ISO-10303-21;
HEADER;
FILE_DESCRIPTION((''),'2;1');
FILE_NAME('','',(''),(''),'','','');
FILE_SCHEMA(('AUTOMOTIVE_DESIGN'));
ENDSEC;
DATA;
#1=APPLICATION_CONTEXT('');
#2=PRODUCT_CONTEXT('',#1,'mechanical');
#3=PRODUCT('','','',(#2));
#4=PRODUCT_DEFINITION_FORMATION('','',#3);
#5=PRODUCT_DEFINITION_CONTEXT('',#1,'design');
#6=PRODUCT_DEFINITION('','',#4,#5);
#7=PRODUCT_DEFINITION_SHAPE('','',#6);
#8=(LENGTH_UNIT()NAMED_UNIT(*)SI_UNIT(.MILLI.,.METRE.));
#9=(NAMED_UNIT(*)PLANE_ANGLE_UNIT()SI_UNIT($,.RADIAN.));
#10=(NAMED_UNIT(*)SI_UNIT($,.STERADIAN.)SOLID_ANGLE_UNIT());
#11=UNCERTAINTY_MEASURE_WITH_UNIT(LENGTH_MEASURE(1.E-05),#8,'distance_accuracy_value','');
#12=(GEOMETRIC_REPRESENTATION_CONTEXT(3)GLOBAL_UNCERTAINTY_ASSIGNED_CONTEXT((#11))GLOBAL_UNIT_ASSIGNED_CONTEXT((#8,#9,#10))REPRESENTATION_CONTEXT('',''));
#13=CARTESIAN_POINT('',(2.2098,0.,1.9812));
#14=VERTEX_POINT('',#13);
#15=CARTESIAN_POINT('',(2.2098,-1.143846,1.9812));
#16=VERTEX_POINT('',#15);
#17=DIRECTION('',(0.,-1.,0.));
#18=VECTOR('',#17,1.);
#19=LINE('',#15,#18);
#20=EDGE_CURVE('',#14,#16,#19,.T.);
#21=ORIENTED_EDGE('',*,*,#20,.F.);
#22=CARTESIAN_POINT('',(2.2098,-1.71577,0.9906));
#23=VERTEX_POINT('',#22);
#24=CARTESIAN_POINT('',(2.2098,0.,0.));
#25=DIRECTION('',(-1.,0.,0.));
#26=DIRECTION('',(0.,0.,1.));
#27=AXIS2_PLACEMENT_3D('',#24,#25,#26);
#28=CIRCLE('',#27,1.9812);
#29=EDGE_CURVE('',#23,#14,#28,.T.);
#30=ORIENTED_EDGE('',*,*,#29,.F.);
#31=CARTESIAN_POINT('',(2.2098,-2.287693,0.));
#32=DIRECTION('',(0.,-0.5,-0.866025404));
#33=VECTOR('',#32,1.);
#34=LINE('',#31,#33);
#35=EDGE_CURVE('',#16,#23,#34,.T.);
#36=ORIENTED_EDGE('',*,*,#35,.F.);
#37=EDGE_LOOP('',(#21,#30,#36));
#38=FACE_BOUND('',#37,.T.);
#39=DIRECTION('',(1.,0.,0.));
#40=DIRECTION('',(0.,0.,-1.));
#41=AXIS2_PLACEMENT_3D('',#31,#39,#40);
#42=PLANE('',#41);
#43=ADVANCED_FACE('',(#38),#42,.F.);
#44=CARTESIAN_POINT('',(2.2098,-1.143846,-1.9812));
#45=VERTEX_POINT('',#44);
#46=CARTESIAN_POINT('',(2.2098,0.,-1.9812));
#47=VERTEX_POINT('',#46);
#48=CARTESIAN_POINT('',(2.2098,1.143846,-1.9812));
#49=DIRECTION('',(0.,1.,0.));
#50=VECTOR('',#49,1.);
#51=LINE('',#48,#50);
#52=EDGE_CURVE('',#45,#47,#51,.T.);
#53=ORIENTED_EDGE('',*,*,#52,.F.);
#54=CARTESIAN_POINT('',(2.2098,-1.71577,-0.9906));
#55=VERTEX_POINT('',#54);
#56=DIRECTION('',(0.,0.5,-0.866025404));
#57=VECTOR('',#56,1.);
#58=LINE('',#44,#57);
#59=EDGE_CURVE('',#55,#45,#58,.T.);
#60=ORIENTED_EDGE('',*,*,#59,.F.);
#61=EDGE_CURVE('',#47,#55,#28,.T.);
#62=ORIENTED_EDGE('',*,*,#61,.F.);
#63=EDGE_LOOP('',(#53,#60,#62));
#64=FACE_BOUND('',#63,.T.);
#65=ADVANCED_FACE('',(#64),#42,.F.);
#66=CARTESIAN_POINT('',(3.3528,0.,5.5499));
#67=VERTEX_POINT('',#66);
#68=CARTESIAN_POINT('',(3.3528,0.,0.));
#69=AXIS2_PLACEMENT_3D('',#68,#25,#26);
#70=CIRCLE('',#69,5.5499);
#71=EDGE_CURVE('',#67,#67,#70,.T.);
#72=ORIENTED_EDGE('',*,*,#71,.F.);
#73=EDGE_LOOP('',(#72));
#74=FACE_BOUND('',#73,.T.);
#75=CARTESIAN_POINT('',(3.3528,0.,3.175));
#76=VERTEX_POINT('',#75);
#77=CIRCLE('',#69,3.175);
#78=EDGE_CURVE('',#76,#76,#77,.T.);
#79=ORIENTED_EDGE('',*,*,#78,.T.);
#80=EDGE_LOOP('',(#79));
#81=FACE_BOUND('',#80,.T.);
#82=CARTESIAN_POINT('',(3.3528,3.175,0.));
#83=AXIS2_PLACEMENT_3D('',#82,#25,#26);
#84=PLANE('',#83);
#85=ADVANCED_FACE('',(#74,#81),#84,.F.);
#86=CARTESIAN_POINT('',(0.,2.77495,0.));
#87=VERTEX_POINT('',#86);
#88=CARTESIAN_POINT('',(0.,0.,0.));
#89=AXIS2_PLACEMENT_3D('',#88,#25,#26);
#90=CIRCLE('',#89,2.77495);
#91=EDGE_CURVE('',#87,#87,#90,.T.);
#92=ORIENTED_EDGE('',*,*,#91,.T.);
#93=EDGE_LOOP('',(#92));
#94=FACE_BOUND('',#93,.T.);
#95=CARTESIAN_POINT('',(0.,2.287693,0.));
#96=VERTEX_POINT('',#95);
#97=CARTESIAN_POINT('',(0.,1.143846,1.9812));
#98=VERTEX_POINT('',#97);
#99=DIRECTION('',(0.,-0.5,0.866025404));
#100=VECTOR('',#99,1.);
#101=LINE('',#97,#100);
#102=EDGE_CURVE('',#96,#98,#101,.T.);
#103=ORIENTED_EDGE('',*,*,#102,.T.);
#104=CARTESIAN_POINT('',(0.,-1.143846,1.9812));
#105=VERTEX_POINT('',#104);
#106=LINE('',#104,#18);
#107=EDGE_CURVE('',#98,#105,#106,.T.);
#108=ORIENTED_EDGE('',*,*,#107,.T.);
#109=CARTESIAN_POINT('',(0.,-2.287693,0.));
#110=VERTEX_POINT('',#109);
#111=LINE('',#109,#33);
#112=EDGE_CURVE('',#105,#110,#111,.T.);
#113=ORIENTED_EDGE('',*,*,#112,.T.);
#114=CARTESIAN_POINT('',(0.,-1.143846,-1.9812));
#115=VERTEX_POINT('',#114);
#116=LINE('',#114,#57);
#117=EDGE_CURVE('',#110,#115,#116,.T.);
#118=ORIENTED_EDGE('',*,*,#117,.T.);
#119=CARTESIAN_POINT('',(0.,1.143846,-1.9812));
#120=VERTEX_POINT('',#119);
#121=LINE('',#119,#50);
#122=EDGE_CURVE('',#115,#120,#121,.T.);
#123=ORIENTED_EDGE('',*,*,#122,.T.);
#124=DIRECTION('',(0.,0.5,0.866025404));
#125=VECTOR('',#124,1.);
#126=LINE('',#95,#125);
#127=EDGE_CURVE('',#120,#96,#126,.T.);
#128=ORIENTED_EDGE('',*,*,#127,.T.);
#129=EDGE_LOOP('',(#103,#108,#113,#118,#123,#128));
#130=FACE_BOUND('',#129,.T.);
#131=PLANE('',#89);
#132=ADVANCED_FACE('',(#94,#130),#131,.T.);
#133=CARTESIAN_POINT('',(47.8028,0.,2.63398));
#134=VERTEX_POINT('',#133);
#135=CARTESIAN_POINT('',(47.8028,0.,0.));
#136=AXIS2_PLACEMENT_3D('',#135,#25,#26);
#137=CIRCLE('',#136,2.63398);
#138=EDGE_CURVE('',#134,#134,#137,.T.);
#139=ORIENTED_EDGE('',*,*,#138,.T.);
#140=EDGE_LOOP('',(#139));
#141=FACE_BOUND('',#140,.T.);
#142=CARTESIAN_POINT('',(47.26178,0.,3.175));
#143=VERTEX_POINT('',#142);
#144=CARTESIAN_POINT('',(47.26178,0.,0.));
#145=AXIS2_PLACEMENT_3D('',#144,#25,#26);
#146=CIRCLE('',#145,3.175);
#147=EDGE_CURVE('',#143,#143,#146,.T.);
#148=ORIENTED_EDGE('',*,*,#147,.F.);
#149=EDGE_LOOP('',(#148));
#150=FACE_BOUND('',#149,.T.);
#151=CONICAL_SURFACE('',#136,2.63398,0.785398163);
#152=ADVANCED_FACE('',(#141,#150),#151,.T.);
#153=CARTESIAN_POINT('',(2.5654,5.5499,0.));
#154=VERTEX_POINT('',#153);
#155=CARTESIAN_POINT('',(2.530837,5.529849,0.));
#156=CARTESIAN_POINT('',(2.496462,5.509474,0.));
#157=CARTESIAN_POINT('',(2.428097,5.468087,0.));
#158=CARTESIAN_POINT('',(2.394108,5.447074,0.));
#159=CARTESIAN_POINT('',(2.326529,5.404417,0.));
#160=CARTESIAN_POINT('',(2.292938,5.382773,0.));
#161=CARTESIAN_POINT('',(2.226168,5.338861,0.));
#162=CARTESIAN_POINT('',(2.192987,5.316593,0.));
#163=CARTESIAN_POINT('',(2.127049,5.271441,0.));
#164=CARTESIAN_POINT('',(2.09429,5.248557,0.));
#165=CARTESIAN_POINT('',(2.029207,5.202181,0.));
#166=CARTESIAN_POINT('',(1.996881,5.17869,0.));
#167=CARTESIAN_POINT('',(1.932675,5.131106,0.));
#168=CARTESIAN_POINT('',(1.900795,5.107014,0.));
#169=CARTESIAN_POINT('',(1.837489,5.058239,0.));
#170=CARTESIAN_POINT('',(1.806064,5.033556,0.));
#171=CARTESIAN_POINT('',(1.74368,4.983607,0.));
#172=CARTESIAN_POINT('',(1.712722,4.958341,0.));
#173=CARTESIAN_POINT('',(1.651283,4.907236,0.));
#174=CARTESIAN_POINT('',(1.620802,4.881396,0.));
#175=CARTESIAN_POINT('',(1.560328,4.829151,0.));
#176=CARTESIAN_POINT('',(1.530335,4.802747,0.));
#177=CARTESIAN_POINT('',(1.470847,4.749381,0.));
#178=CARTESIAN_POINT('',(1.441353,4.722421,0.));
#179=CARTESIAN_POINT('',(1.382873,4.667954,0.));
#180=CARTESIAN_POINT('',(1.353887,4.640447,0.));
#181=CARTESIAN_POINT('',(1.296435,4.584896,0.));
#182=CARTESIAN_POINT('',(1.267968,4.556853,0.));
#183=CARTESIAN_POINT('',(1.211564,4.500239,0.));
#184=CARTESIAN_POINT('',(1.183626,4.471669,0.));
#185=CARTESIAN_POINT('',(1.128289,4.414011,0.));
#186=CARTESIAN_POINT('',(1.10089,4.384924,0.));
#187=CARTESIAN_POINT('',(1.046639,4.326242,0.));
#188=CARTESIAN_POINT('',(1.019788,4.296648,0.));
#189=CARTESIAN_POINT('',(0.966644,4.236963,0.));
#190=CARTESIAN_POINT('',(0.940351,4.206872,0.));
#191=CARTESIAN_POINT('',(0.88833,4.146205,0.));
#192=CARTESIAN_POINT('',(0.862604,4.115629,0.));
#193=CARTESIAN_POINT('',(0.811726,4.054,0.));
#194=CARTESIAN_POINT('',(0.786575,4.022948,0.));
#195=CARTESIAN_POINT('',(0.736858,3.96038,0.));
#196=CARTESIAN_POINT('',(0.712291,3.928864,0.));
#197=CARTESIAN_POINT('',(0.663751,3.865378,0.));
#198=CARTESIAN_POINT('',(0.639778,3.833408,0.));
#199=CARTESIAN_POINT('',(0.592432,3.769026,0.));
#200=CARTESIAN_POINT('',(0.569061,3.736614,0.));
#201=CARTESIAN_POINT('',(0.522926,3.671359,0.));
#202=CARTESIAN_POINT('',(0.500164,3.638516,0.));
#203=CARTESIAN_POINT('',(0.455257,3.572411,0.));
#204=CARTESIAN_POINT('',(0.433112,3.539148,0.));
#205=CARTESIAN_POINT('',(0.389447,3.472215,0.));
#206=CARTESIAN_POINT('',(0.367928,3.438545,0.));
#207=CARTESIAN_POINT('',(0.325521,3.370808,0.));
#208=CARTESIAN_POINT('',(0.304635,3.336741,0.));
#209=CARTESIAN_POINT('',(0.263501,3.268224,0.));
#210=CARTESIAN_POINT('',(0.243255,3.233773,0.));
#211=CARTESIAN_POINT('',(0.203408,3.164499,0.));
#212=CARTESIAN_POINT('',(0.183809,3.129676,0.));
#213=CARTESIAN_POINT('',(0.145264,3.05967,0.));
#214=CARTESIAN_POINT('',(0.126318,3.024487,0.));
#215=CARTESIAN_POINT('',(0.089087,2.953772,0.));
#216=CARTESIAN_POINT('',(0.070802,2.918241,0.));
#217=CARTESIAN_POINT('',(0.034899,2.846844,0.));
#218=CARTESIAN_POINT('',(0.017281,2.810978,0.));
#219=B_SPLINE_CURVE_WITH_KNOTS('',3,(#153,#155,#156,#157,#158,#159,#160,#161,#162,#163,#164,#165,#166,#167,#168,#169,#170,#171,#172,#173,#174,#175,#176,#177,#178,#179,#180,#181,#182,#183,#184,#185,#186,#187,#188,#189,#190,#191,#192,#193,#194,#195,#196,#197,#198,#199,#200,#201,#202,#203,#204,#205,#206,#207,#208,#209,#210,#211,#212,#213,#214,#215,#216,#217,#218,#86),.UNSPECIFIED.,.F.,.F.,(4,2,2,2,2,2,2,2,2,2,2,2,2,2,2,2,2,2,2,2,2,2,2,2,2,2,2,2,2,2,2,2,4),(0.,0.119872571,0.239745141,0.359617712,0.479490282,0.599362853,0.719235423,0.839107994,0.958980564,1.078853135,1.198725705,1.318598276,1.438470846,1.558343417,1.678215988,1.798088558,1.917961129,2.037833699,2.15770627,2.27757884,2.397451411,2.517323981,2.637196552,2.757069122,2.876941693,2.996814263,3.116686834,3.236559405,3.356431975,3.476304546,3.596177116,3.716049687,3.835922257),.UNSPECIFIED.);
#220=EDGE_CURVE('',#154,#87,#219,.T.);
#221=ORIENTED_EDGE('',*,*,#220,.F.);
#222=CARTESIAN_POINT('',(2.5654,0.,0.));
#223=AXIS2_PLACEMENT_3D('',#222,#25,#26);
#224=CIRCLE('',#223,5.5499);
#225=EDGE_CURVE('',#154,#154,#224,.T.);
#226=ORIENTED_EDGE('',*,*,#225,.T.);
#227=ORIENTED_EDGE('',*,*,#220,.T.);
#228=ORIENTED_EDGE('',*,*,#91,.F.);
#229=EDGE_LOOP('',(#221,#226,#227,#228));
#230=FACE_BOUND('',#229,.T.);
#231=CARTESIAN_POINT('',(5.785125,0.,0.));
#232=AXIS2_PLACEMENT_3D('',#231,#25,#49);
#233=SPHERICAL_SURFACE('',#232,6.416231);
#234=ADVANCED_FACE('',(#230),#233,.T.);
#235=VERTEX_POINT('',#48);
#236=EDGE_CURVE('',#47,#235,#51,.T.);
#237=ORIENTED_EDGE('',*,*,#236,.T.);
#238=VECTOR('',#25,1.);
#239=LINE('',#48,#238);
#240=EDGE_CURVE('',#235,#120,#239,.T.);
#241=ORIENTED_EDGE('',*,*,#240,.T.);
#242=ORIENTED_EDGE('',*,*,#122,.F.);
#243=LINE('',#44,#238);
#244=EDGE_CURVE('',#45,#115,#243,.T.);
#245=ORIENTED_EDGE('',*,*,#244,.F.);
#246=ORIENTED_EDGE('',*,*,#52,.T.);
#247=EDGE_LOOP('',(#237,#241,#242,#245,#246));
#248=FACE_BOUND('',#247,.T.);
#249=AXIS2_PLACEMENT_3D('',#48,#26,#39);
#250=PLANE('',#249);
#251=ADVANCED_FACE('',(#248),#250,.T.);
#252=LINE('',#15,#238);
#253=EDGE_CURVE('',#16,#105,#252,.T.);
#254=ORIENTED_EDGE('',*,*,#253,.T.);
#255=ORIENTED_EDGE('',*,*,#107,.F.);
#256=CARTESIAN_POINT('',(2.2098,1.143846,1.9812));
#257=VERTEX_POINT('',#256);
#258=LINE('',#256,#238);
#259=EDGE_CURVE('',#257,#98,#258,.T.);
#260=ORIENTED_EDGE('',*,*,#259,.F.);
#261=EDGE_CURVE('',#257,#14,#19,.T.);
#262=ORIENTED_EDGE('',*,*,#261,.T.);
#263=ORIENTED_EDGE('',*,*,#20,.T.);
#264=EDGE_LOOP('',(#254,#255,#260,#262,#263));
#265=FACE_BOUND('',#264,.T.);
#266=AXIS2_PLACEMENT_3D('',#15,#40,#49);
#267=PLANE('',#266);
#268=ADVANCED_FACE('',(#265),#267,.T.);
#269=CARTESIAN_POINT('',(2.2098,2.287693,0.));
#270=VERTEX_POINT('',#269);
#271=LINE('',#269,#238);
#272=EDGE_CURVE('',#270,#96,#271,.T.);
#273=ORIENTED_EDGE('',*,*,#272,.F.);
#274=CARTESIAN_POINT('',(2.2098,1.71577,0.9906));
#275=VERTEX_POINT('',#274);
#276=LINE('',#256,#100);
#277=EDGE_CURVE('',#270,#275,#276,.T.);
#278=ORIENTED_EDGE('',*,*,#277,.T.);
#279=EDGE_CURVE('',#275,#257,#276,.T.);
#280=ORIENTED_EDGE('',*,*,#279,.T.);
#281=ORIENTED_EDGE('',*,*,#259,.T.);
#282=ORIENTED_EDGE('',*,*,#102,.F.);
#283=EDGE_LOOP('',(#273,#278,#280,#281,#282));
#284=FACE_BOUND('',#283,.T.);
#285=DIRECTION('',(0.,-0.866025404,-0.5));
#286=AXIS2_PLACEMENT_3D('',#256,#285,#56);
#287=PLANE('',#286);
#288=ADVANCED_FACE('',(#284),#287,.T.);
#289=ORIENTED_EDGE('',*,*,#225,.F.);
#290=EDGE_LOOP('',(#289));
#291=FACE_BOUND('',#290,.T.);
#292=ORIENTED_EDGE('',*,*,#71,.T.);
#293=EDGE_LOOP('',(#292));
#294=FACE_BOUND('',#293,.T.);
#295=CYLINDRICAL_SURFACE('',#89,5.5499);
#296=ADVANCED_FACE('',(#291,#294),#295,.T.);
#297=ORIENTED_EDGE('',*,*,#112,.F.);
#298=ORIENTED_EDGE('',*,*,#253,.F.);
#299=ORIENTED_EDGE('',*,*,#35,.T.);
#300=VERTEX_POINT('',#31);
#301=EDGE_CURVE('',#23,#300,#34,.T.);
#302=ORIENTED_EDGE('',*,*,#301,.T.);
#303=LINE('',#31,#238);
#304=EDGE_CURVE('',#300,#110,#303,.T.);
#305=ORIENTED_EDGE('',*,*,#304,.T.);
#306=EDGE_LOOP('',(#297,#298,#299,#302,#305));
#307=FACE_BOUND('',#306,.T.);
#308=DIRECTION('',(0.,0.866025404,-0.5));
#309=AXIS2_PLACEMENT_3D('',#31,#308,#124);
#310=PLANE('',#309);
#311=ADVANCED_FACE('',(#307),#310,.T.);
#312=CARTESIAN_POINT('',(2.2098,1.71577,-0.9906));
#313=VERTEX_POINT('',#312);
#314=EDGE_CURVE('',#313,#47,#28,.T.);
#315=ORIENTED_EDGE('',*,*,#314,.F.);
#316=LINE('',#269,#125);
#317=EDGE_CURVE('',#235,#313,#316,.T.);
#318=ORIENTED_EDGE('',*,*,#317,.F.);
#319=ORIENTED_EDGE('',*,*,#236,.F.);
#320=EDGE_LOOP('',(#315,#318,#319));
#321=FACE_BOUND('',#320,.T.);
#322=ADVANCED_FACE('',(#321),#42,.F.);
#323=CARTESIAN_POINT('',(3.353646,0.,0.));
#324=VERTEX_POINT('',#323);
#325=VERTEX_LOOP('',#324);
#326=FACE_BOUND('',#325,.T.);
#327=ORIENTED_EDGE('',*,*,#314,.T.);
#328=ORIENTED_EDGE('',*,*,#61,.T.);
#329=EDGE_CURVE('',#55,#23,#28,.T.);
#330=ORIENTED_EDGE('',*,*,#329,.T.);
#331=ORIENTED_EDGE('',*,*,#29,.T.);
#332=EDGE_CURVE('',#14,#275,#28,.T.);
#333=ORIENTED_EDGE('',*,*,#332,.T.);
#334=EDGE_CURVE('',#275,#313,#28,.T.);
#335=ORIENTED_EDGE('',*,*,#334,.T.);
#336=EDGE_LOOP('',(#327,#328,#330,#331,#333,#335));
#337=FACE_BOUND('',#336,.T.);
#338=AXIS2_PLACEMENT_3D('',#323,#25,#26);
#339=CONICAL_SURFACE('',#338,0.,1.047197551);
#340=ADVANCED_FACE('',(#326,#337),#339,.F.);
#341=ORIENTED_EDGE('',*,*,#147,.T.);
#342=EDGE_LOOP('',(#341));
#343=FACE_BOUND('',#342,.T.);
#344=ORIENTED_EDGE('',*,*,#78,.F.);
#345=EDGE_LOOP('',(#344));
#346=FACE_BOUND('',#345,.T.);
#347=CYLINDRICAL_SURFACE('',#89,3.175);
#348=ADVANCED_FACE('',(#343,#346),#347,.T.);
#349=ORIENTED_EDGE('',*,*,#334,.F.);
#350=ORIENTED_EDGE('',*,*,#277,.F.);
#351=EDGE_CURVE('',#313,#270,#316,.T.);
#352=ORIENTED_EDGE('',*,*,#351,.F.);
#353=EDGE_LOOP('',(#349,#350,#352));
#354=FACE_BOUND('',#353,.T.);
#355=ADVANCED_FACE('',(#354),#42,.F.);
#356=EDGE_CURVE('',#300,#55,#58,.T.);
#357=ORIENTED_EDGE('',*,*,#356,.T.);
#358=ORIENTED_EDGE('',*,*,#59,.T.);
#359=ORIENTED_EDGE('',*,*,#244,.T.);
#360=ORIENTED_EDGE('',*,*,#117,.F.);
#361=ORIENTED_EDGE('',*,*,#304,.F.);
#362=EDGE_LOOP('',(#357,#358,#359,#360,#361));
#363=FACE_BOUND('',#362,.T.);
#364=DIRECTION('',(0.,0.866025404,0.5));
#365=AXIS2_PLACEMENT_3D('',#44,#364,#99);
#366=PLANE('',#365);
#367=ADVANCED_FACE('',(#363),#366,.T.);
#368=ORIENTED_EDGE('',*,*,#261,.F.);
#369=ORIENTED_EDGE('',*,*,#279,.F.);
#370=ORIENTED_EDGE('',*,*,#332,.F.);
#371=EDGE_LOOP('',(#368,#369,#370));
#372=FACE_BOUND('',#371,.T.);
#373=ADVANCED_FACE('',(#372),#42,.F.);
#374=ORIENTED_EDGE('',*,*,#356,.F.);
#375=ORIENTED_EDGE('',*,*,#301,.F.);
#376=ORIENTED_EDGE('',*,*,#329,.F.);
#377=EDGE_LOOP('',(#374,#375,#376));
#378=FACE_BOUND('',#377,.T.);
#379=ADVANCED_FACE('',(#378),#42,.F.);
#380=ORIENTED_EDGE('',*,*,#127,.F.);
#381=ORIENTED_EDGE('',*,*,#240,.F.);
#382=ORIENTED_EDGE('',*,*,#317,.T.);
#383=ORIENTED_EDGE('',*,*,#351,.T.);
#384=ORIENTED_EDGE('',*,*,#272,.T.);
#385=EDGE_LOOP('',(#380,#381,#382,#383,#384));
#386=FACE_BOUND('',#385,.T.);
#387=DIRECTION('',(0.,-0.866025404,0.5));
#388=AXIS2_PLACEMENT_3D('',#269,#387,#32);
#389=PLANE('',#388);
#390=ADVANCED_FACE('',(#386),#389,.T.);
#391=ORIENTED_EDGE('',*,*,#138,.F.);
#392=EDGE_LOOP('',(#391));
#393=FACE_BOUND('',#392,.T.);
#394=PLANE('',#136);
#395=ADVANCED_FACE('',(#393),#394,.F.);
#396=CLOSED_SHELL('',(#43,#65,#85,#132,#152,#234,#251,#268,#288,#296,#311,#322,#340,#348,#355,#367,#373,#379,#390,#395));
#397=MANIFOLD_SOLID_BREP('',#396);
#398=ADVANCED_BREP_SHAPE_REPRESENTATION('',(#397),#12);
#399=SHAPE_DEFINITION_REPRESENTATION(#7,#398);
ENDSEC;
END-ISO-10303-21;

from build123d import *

# Parameters (mm, degrees)
HEX_2_DEPTH = 2.2098


with BuildPart() as part:
    # BodySke → BaseBody (revolve)
    with BuildSketch(Plane.XY, mode=Mode.PRIVATE) as basebody_sk:
        with BuildLine():
            Line((47.8028, 0), (47.8028, 2.63398))
            Line((47.8028, 2.63398), (47.26178, 3.175))
            Line((47.26178, 3.175), (3.3528, 3.175))
            Line((3.3528, 3.175), (3.3528, 5.5499))
            Line((3.3528, 5.5499), (2.5654, 5.5499))
            ThreePointArc((2.5654, 5.5499), (1.073764503, 4.355582759), (0, 2.77495))
            Line((0, 2.77495), (0, 0))
            Line((0, 0), (47.8028, 0))
        make_face()
    revolve(basebody_sk.sketch.rotate(Axis((0, 0, 0), (1, 0, 0)), 90), axis=Axis((0, 0, 0), (1, 0, 0)))

    # Sketch2 → PreBroach (revolve, cut)
    with BuildSketch(Plane.XY, mode=Mode.PRIVATE) as prebroach_sk:
        Polygon((0, 1.9812), (2.2098, 1.9812), (3.353646353, 0), (0, 0), align=None)
    revolve(prebroach_sk.sketch.rotate(Axis((0, 0, 0), (1, 0, 0)), 90), axis=Axis((0, 0, 0), (1, 0, 0)), mode=Mode.SUBTRACT)

    # Sketch3 → Hex 2 (cut)
    with BuildSketch(Plane(origin=(0, 0, 0), x_dir=(0, 0, -1), z_dir=(1, 0, 0))):
        Polygon((-1.9812, -1.143846353), (-1.9812, 1.143846353), (0, 2.287692707), (1.9812, 1.143846353), (1.9812, -1.143846353), (0, -2.287692707), align=None)
    extrude(amount=HEX_2_DEPTH, mode=Mode.SUBTRACT)


solid = part.part
